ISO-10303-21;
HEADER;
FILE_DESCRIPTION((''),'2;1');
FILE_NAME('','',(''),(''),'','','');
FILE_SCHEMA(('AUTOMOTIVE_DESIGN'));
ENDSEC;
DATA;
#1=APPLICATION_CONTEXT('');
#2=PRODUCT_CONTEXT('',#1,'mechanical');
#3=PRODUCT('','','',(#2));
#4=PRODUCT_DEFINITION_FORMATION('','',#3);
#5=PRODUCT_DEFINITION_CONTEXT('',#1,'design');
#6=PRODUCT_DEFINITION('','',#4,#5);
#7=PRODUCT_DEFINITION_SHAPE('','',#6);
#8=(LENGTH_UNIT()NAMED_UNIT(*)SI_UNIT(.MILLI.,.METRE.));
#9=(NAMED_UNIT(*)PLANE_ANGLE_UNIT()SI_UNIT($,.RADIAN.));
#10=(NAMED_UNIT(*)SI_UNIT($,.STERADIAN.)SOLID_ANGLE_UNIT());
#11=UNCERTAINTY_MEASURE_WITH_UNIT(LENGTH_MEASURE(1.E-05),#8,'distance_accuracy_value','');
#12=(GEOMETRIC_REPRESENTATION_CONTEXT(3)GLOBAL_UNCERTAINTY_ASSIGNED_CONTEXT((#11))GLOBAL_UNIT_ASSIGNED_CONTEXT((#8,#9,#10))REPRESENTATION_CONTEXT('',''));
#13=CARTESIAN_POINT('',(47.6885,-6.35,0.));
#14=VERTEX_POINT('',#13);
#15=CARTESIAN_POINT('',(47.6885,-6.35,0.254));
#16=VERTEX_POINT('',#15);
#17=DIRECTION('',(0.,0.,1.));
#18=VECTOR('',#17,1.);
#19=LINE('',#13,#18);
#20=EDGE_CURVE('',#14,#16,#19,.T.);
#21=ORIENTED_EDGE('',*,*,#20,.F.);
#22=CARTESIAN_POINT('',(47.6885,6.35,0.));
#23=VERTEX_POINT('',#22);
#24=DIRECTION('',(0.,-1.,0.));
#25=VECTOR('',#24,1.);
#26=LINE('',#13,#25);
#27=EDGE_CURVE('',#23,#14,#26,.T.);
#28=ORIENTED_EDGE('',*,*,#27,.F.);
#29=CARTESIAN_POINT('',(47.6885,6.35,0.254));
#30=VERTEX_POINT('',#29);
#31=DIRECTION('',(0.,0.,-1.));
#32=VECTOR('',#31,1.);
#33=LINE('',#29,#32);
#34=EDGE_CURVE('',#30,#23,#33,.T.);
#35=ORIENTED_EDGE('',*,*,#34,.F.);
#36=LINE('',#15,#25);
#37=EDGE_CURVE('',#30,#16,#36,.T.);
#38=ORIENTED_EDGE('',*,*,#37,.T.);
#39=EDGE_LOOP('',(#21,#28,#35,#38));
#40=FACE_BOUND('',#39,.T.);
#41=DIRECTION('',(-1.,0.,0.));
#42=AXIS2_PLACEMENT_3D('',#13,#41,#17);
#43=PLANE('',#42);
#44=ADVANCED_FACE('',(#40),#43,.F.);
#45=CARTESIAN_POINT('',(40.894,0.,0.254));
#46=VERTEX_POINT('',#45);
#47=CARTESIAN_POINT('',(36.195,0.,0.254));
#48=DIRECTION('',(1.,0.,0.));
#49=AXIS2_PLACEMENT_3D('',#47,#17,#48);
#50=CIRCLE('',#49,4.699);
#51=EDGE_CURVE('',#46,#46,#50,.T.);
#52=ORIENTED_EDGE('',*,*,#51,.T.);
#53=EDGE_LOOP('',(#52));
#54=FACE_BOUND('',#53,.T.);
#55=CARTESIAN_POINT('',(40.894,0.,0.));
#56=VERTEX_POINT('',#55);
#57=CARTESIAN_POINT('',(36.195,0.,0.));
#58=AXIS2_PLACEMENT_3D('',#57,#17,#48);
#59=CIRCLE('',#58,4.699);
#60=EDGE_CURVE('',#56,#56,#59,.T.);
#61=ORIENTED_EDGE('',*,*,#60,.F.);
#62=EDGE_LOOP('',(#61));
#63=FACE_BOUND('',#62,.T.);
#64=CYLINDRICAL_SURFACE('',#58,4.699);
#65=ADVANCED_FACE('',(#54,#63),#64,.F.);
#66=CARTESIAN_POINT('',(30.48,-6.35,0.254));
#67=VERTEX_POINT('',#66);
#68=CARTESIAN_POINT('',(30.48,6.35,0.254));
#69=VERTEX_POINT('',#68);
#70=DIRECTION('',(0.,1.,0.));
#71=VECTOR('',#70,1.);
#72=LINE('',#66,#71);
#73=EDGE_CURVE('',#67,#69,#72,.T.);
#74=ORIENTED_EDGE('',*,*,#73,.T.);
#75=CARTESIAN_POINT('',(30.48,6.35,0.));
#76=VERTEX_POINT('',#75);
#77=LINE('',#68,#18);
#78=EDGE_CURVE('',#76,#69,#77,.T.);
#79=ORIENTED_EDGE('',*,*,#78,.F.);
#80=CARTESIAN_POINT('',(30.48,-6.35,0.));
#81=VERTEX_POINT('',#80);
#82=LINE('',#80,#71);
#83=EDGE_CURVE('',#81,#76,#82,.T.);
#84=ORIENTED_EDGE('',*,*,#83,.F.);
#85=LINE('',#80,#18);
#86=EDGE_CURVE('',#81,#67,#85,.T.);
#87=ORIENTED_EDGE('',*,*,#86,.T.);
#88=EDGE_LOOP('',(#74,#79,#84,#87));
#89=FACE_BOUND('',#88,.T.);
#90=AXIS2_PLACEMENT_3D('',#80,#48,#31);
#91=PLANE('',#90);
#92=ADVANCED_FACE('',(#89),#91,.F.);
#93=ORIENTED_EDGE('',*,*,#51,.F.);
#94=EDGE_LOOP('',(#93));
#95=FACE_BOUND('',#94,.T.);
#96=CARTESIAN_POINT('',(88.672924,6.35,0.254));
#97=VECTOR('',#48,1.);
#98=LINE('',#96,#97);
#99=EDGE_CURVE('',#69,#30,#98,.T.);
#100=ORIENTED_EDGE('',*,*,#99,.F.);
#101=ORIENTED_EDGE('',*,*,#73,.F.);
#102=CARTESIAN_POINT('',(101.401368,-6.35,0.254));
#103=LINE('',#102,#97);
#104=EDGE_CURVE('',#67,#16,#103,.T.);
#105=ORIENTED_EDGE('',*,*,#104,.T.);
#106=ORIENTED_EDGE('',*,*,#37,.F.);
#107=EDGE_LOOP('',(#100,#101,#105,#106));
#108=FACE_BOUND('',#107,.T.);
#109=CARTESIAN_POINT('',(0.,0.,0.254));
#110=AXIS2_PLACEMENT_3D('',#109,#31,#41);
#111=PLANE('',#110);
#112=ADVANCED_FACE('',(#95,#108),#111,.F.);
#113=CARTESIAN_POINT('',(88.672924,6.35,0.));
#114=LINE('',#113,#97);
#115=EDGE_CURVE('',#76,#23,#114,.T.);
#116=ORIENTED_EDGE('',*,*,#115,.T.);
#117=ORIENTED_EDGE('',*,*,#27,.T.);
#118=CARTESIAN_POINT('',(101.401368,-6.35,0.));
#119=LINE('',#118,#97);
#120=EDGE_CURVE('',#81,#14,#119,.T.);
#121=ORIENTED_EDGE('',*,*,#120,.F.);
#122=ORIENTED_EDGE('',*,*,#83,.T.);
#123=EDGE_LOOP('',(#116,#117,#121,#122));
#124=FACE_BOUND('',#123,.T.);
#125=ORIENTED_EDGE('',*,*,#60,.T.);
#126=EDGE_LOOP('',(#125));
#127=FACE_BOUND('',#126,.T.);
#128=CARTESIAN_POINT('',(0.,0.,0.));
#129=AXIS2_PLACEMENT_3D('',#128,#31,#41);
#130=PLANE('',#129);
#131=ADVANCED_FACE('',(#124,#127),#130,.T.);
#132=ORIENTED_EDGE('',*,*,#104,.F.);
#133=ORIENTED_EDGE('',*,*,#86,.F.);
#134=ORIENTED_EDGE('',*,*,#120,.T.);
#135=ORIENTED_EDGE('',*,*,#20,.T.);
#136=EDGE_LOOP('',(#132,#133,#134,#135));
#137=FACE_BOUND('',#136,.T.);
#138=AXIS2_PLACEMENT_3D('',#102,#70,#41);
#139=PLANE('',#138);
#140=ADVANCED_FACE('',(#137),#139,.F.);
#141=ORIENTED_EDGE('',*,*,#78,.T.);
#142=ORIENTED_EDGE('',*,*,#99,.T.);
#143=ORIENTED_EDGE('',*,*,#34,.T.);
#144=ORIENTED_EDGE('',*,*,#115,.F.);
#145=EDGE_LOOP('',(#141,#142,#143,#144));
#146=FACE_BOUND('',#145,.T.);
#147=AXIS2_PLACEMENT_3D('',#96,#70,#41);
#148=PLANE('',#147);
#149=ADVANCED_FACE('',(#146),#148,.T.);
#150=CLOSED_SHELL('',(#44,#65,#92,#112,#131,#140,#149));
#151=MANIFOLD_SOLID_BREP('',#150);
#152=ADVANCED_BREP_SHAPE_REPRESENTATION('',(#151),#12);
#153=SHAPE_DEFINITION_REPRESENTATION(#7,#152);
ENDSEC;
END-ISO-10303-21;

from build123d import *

# Parameters (mm, degrees)
BOSS_EXTRUDE1_DEPTH = 0.254
SKETCH2_R           = 4.699
CUT_EXTRUDE1_DEPTH  = 1.254
SKETCH3_W           = 2.54
SKETCH3_H           = 0.635
CUT_EXTRUDE2_DEPTH  = 1.254
SKETCH5_OUTSIDE_W   = 121.447
SKETCH5_OUTSIDE_H   = 109.618
SKETCH5_OUTSIDE_W_2 = 17.2085
SKETCH5_OUTSIDE_H_2 = 15.24
CUT_EXTRUDE5_DEPTH  = 1.254


with BuildPart() as part:
    # Sketch1 → Boss-Extrude1 (new body)
    with BuildSketch(Plane.XY):
        with BuildLine():
            Line((67.21146711, 76.191723231), (8.696654013, 17.676910134))
            Line((8.696654013, 17.676910134), (7.228954972, 14.133571205))
            ThreePointArc((7.228954972, 14.133571205), (14.666587579, 6.075099489), (15.105587123, -4.88230096))
            Line((15.105587123, -4.88230096), (18.648926052, -6.35))
            Line((18.648926052, -6.35), (101.401368334, -6.35))
            ThreePointArc((101.401368334, -6.35), (93.866160503, 38.880636728), (67.21146711, 76.191723231))
        make_face()
        with BuildLine():
            Line((88.672924278, 6.35), (27.86051193, 6.35))
            ThreePointArc((27.86051193, 6.35), (26.399857642, 10.93517908), (24.190484974, 15.210228852))
            Line((24.190484974, 15.210228852), (67.191354125, 58.211098004))
            ThreePointArc((67.191354125, 58.211098004), (82.13289044, 34.020557137), (88.672924278, 6.35))
        make_face(mode=Mode.SUBTRACT)
    extrude(amount=BOSS_EXTRUDE1_DEPTH)

    # Sketch2 → Cut-Extrude1 (cut, through all)
    with BuildSketch(Plane.XY.offset(0.254)):
        with Locations((22.225, 0)):
            Circle(SKETCH2_R)
        with Locations((36.195, 0)):
            Circle(SKETCH2_R)
        with Locations((61.722, 0)):
            Circle(SKETCH2_R)
        with Locations((75.692, 0)):
            Circle(SKETCH2_R)
        with Locations((95.25, 0)):
            Circle(SKETCH2_R)
        with Locations((15.715448212, 15.715448212)):
            Circle(SKETCH2_R)
        with Locations((25.593729945, 25.593729945)):
            Circle(SKETCH2_R)
        with Locations((43.644044748, 43.644044748)):
            Circle(SKETCH2_R)
        with Locations((53.522326482, 53.522326482)):
            Circle(SKETCH2_R)
        with Locations((92.004434954, 24.652514046)):
            Circle(SKETCH2_R)
        with Locations((82.48891971, 47.625)):
            Circle(SKETCH2_R)
        with Locations((67.351920908, 67.351920908)):
            Circle(SKETCH2_R)
    extrude(amount=-CUT_EXTRUDE1_DEPTH, mode=Mode.SUBTRACT)

    # Sketch3 → Cut-Extrude2 (cut, through all)
    with BuildSketch(Plane.XY.offset(0.254)):
        Polygon((15.266435406, 24.246691527), (17.06248663, 26.042742751), (17.511499436, 25.593729945), (15.715448212, 23.797678721), align=None)
        Polygon((44.991083167, 53.971339288), (43.195031942, 52.175288063), (43.644044748, 51.726275257), (45.440095973, 53.522326482), align=None)
        with Locations((29.21, -6.0325)):
            Rectangle(SKETCH3_W, SKETCH3_H)
        with Locations((68.707, -6.0325)):
            Rectangle(SKETCH3_W, SKETCH3_H)
        Polygon((29.230733674, 38.210989795), (31.026784898, 40.007041019), (31.475797704, 39.558028213), (29.67974648, 37.761976989), align=None)
        Polygon((56.845021246, 65.825277367), (55.048970022, 64.029226143), (55.497982828, 63.580213337), (57.294034052, 65.376264561), align=None)
        with Locations((48.9585, -6.0325)):
            Rectangle(SKETCH3_W, SKETCH3_H)
        with Locations((85.471, -6.0325)):
            Rectangle(SKETCH3_W, SKETCH3_H)
        Polygon((99.935462164, 14.437711971), (100.266998693, 11.919442024), (101.526133667, 12.085210288), (101.194597138, 14.603480236), align=None)
        Polygon((93.765504959, 37.464305742), (94.938831965, 37.950313702), (93.966816047, 40.296967714), (92.793489041, 39.810959755), align=None)
        Polygon((79.327792988, 62.471156422), (80.874047017, 60.456038938), (81.88160576, 61.229165953), (80.33535173, 63.244283437), align=None)
        Polygon((13.593916116, 7.005422516), (14.565932035, 4.658768503), (15.739259041, 5.144776462), (14.767243123, 7.491430475), align=None)
    extrude(amount=-CUT_EXTRUDE2_DEPTH, mode=Mode.SUBTRACT)

    # Sketch5 outside → Cut-Extrude5 (cut, through all)
    with BuildSketch(Plane.XY.offset(0.254)):
        with Locations((54.4145, 34.921)):
            Rectangle(SKETCH5_OUTSIDE_W, SKETCH5_OUTSIDE_H)
        with Locations((39.08425, 0)):
            Rectangle(SKETCH5_OUTSIDE_W_2, SKETCH5_OUTSIDE_H_2, mode=Mode.SUBTRACT)
    extrude(amount=-CUT_EXTRUDE5_DEPTH, mode=Mode.SUBTRACT)


solid = part.part
